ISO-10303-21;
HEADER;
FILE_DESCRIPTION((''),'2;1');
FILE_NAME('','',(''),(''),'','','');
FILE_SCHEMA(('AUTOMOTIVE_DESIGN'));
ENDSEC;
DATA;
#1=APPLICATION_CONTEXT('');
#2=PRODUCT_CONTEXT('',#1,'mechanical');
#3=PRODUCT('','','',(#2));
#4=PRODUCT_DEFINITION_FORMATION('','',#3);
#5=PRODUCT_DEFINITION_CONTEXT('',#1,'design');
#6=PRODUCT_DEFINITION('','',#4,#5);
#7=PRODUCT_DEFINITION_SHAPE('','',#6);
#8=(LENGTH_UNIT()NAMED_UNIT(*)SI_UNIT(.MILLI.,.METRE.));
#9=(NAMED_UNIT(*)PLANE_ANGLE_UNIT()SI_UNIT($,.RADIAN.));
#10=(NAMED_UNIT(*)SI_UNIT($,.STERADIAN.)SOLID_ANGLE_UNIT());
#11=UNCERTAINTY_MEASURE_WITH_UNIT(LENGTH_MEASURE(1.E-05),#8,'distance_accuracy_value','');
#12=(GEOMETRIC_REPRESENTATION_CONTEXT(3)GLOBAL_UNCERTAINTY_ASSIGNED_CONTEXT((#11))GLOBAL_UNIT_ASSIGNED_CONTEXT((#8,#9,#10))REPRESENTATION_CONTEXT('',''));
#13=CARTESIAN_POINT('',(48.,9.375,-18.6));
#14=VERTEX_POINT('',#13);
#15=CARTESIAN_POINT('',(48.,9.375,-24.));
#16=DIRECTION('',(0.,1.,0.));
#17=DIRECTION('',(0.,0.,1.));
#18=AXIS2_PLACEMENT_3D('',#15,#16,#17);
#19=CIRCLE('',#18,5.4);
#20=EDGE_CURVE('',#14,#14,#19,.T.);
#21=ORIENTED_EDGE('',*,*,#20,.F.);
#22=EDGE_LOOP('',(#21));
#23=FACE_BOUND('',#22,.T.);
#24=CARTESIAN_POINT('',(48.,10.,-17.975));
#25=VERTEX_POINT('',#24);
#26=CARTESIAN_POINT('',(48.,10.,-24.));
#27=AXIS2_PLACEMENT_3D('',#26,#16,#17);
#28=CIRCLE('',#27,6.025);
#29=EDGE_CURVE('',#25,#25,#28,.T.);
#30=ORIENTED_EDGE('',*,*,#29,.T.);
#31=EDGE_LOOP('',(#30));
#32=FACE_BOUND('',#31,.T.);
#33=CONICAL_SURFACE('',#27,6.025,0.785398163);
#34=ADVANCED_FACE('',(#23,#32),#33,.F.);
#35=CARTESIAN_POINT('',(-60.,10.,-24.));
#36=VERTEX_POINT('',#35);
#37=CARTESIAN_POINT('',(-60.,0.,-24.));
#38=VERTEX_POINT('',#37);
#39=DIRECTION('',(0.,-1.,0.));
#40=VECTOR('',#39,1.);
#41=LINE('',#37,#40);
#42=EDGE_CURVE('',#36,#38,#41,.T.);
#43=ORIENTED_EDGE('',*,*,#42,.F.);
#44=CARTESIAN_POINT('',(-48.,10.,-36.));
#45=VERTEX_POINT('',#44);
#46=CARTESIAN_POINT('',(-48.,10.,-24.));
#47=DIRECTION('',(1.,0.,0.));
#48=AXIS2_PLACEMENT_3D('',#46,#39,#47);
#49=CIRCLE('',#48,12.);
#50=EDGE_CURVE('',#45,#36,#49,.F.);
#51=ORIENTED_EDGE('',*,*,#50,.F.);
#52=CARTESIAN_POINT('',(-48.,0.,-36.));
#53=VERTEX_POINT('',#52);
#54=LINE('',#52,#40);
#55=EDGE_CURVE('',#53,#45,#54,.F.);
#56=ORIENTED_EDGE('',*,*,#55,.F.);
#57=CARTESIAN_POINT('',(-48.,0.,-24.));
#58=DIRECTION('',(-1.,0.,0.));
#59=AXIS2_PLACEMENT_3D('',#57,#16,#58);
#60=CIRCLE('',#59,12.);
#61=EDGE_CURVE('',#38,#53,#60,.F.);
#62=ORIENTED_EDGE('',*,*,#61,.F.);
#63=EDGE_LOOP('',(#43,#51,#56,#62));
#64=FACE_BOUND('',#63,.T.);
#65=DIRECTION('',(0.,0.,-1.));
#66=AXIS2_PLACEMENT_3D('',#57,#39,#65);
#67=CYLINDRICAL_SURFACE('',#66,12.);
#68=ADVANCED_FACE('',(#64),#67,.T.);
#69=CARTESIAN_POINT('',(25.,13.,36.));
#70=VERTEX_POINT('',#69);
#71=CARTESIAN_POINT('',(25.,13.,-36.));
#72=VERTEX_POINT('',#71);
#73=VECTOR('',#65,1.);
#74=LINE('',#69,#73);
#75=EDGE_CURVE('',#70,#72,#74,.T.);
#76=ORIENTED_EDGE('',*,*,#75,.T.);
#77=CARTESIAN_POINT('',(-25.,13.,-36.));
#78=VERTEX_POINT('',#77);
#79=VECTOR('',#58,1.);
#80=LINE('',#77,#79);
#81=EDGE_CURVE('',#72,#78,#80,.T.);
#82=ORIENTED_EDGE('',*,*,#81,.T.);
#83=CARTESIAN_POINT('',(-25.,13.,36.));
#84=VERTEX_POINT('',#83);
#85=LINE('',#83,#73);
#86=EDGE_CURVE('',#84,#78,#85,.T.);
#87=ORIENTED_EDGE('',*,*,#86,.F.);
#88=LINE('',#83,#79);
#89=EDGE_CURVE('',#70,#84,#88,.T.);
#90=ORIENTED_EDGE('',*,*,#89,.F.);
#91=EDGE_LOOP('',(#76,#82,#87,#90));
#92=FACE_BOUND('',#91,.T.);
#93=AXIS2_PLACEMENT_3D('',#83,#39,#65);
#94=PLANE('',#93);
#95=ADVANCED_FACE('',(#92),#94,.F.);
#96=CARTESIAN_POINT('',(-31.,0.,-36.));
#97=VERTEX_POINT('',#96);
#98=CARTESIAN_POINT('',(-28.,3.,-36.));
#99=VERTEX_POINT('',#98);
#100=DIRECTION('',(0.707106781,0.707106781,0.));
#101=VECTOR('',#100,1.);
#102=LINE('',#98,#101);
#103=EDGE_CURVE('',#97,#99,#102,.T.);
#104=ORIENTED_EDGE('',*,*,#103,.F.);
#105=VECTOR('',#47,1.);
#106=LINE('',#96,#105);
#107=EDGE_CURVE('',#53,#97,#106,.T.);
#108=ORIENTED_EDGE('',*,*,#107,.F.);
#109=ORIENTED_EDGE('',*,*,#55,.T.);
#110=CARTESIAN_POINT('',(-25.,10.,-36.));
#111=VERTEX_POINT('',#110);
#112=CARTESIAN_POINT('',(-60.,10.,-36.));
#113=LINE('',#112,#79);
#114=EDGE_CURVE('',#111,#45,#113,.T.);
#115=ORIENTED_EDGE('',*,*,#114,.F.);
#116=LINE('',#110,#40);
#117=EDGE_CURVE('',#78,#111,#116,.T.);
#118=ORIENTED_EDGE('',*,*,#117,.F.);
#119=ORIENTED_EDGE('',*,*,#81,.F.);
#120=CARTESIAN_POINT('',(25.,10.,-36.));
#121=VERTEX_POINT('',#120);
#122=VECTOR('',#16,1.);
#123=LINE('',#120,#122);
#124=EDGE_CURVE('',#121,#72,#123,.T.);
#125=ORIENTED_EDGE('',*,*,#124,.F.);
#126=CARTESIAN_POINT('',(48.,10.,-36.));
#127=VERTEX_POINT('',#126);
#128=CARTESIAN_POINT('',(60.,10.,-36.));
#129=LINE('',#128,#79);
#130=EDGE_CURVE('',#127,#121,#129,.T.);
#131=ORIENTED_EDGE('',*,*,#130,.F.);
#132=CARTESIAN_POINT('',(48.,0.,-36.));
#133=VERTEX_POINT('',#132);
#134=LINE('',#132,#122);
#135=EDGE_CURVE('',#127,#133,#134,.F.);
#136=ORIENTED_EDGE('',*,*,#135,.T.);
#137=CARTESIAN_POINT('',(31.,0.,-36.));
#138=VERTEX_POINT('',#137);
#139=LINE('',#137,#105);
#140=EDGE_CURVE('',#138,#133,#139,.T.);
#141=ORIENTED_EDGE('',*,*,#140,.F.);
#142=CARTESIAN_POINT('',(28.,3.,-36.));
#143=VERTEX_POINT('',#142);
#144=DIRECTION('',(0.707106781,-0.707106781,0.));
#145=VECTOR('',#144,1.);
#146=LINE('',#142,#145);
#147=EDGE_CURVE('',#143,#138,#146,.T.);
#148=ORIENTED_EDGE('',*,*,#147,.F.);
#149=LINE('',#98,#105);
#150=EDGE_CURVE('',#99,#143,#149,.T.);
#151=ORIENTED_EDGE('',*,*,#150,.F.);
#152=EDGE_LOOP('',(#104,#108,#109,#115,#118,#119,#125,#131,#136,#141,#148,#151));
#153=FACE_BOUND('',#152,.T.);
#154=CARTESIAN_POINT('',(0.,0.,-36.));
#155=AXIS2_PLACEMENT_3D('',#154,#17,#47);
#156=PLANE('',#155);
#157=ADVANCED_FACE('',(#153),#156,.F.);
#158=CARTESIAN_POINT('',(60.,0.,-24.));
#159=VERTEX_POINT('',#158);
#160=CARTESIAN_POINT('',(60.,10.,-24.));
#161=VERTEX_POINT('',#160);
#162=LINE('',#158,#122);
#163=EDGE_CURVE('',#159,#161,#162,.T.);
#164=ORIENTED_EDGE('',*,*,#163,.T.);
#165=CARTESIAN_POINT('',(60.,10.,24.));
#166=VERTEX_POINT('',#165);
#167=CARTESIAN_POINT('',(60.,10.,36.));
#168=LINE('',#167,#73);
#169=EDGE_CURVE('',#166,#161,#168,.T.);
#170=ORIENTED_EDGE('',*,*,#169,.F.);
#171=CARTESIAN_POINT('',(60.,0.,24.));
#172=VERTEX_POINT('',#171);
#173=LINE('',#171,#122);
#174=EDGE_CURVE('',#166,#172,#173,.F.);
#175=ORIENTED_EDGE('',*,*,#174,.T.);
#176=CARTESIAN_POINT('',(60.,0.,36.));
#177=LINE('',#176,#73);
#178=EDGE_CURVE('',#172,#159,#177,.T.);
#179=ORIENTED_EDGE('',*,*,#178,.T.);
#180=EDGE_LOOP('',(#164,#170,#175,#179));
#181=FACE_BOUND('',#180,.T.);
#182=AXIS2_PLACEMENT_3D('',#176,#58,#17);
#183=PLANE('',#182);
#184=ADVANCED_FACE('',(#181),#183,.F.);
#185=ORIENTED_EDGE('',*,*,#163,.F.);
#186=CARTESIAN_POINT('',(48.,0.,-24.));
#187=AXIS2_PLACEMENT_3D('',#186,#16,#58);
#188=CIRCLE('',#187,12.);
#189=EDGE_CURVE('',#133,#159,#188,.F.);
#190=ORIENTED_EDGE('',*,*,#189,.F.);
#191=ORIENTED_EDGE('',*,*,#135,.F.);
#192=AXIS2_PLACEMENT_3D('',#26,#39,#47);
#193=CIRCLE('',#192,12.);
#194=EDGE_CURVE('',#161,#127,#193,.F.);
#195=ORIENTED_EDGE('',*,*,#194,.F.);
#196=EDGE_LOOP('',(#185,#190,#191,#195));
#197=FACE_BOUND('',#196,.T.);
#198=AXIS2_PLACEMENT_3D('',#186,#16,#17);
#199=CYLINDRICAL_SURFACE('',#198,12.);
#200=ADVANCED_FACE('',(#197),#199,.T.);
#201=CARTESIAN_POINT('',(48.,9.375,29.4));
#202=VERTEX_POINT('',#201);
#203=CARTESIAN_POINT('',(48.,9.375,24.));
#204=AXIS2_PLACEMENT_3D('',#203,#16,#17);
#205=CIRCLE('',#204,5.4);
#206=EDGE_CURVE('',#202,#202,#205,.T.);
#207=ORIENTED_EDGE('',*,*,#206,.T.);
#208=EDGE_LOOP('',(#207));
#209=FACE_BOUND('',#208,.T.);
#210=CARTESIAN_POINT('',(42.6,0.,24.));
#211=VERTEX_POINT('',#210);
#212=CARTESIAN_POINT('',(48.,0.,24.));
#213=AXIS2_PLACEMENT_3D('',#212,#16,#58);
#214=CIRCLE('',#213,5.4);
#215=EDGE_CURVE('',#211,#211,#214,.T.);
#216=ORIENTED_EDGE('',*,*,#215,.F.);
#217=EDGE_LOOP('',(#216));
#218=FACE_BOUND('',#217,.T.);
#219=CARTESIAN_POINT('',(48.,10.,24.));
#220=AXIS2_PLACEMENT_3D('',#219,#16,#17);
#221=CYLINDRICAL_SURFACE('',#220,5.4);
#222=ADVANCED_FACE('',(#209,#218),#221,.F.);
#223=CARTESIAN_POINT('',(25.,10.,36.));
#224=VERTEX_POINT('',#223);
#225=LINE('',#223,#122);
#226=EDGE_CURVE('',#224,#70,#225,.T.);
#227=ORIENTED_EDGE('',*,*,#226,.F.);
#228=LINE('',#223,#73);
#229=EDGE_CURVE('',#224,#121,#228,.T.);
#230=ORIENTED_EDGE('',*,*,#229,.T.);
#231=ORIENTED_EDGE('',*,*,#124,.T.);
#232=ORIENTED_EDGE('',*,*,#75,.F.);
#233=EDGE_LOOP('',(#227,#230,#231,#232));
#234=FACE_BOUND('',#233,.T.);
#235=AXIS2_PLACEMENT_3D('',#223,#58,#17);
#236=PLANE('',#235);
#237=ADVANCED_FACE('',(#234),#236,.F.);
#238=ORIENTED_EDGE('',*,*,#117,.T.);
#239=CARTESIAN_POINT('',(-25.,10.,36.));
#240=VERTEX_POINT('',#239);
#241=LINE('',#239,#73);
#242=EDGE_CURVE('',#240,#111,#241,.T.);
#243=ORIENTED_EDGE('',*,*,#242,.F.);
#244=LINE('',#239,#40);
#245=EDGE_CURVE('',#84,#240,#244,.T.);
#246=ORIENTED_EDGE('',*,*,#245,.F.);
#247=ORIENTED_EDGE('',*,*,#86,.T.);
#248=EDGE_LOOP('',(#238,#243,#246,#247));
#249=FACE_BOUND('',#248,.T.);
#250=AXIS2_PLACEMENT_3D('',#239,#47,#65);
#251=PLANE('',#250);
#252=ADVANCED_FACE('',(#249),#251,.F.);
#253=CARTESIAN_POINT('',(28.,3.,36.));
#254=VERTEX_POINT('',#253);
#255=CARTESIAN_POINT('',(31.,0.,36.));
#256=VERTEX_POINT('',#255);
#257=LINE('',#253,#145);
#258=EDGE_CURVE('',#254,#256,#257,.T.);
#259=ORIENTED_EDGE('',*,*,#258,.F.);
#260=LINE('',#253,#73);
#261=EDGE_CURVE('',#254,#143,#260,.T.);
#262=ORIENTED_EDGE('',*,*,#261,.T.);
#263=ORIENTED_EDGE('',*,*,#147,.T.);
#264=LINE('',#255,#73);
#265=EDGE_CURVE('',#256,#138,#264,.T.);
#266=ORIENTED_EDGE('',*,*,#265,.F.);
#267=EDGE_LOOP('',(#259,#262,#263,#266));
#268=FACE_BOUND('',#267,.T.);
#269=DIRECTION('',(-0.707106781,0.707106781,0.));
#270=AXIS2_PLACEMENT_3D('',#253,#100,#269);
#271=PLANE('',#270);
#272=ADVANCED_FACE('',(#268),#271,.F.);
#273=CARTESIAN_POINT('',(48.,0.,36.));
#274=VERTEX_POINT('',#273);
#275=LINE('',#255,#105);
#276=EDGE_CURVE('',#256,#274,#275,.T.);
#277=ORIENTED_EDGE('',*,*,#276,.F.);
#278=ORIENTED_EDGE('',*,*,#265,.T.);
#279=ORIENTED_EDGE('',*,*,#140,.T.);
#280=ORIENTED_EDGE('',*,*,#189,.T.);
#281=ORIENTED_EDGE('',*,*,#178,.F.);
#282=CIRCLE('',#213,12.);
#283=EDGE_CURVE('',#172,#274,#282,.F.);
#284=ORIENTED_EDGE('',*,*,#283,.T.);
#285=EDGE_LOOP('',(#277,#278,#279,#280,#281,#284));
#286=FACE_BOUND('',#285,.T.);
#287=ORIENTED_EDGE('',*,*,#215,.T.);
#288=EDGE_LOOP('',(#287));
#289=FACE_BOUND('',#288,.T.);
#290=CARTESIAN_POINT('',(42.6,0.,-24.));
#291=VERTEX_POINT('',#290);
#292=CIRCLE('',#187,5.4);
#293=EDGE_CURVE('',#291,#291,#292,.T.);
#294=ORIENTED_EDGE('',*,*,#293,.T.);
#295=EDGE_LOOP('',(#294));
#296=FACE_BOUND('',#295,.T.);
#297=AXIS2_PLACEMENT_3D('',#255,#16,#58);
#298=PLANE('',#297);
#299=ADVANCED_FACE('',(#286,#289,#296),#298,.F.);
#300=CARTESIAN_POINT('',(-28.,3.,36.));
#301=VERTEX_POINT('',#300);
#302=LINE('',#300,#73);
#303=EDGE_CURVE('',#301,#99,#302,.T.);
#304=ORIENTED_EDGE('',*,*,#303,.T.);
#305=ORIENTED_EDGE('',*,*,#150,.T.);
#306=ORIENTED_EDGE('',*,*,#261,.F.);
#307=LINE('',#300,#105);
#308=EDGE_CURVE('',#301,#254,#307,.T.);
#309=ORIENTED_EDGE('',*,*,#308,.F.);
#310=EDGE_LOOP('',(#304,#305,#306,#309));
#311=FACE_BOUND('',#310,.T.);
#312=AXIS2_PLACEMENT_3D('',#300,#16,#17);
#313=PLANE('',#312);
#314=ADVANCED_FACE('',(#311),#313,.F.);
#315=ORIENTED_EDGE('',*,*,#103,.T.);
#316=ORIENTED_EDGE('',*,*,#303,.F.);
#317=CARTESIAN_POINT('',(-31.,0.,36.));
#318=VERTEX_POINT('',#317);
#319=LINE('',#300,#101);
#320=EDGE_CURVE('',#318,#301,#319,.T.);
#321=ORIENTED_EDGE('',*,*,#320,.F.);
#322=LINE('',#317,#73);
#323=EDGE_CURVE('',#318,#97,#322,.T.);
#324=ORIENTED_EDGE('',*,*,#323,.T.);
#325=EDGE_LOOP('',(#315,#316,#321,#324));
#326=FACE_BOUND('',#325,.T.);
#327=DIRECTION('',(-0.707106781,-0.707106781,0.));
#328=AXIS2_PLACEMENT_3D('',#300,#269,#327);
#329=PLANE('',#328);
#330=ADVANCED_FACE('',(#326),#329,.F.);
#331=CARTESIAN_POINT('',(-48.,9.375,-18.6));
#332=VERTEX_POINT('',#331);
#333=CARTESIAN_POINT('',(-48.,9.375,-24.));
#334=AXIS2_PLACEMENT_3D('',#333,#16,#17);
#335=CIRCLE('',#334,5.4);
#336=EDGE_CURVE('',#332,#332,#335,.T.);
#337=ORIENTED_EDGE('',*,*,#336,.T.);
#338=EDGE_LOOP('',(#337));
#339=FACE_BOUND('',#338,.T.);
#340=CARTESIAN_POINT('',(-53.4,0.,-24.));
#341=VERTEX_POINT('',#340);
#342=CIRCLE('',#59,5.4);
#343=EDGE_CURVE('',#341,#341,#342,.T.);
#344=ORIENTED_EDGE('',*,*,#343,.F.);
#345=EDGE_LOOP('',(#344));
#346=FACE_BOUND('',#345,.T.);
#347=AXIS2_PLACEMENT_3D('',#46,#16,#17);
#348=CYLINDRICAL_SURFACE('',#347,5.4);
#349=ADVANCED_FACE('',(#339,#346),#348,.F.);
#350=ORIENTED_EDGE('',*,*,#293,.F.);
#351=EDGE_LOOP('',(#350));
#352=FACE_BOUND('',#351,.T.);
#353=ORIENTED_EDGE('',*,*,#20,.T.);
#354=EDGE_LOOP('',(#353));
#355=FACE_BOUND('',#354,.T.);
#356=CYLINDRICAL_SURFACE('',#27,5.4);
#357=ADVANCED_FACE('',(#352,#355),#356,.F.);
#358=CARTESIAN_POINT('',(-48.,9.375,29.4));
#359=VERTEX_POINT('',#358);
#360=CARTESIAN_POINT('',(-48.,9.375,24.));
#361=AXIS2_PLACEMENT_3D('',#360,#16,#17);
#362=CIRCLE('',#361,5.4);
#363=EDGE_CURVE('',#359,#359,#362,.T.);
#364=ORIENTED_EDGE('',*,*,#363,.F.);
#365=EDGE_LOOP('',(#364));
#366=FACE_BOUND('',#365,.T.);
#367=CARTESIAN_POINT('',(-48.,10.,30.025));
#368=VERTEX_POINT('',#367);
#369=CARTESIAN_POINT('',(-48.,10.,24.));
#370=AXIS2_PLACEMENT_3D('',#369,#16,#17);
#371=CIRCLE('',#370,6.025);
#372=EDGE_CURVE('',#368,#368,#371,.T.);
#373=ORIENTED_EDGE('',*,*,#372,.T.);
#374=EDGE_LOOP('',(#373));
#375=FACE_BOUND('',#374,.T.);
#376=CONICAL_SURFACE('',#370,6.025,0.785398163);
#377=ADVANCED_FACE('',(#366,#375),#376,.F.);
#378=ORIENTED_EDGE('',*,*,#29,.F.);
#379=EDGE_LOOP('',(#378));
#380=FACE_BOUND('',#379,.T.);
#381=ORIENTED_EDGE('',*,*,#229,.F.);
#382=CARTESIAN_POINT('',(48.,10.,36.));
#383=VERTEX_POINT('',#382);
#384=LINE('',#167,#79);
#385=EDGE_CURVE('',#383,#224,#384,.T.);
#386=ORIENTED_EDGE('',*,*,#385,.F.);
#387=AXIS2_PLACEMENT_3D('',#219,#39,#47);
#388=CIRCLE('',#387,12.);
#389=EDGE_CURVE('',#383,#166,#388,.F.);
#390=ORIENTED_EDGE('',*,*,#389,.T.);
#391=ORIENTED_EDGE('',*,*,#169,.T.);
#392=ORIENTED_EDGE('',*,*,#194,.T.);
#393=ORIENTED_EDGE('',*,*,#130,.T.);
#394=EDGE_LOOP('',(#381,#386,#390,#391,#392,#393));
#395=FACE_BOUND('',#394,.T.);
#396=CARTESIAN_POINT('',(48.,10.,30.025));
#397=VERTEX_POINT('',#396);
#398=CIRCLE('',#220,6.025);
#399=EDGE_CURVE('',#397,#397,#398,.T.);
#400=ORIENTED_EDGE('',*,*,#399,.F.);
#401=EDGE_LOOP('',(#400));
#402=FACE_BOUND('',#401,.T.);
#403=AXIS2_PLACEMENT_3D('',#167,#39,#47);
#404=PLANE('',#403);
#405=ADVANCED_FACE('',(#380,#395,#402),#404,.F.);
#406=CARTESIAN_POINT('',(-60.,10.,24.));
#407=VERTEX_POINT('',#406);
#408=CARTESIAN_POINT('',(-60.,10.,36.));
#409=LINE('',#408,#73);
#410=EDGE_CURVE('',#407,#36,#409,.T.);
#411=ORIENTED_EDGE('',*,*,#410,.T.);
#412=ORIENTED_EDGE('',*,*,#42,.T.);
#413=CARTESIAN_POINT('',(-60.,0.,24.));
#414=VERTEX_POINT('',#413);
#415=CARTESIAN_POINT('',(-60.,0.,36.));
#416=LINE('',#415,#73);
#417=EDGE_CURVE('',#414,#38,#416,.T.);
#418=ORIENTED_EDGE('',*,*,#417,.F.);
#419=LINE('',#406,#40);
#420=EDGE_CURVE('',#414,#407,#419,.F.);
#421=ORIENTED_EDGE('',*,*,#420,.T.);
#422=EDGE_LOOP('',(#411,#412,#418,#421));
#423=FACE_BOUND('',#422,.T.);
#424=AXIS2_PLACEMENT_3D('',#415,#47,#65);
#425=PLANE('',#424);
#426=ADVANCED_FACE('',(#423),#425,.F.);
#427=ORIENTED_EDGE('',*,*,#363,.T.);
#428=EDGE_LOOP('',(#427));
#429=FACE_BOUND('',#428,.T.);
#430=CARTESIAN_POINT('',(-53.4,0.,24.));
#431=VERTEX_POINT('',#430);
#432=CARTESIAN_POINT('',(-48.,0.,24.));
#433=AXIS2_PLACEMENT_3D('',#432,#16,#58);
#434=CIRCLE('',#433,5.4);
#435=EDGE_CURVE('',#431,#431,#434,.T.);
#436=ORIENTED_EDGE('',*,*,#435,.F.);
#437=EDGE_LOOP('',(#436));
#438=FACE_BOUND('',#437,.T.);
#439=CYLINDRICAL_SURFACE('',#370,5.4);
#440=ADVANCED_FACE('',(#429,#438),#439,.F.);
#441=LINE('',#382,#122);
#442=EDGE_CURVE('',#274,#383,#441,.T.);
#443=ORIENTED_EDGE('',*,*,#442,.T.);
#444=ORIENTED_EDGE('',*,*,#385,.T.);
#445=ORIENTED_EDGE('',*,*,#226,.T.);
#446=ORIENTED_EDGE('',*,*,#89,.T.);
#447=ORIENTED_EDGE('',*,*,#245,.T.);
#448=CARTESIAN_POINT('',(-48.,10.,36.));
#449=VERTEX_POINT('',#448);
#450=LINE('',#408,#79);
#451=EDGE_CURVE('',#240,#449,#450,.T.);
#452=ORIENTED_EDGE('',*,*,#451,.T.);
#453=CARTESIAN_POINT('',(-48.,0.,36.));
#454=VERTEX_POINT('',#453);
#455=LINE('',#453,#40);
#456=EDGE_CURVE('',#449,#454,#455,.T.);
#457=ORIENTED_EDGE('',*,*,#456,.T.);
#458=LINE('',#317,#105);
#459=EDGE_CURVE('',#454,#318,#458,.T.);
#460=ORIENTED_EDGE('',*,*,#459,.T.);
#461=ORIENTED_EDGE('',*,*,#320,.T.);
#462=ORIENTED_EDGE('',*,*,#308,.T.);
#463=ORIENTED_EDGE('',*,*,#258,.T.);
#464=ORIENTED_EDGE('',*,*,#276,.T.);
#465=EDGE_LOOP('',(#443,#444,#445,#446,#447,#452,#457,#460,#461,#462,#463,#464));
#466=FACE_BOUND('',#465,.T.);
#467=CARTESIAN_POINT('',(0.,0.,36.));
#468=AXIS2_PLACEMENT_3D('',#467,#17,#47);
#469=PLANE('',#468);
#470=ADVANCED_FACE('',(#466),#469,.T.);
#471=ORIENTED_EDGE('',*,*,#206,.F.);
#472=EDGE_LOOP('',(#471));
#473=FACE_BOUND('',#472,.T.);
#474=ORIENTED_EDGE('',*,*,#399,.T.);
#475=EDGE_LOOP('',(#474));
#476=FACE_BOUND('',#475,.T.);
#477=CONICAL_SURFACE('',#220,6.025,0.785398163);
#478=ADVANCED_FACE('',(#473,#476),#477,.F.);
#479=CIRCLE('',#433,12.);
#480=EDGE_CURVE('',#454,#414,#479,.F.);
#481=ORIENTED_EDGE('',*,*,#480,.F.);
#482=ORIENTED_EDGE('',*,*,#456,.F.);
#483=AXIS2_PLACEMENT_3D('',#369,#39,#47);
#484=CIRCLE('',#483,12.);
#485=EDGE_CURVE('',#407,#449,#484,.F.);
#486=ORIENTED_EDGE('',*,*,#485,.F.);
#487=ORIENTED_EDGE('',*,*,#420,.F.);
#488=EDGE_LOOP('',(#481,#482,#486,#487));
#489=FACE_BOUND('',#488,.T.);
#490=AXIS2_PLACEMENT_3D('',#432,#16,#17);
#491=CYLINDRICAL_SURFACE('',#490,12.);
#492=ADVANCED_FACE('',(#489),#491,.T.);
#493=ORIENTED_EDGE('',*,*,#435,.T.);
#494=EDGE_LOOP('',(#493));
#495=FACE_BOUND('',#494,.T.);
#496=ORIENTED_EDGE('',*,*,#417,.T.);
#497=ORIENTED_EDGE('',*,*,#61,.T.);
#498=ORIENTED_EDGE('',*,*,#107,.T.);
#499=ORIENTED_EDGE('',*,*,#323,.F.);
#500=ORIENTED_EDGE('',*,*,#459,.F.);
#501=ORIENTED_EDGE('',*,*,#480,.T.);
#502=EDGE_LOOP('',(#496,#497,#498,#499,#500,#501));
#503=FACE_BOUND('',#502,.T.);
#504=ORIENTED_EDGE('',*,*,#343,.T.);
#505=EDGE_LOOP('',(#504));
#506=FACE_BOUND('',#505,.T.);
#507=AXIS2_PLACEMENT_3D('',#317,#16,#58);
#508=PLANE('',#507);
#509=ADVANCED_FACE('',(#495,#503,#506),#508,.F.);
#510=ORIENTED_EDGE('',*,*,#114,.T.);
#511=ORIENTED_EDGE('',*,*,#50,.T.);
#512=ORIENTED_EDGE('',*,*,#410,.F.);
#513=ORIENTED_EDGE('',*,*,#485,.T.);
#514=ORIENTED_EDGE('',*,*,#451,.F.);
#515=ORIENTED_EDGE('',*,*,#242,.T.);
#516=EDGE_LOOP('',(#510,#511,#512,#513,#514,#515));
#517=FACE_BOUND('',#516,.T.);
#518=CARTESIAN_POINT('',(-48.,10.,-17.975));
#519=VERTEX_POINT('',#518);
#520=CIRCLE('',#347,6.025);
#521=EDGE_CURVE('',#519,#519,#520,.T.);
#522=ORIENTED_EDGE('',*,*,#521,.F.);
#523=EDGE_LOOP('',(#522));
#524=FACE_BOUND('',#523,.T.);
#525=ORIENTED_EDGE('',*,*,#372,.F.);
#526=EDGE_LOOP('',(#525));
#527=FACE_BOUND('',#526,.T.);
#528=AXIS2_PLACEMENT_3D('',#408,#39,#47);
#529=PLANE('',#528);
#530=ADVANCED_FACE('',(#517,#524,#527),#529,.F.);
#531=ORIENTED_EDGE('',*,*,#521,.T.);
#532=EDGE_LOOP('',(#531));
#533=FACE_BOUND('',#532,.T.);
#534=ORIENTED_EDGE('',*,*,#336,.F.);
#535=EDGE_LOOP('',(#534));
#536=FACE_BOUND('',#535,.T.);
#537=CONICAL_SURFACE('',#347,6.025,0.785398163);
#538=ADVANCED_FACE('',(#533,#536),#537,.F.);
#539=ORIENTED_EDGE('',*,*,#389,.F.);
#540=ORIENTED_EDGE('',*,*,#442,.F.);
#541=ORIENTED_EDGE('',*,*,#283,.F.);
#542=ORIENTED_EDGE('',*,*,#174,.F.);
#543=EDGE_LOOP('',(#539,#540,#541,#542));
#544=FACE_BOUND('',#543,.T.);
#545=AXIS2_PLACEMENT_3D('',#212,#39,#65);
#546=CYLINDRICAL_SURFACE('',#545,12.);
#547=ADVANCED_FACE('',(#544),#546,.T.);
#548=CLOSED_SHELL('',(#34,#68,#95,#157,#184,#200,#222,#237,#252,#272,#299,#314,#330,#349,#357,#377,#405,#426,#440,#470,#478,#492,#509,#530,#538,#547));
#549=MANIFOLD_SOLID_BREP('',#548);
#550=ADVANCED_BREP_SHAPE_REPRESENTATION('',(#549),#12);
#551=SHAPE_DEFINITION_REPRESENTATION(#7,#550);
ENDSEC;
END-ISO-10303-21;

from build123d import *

# Parameters (mm, degrees)
BOSS_EXTRUDE1_DEPTH               = 36
FILLET1_R                         = 12
M12X1_25_TAPPED_HOLE1_D           = 10.8
M12X1_25_TAPPED_HOLE1_DEPTH       = 24.505352657
M12X1_25_TAPPED_HOLE1_CSINK_D     = 12.05
M12X1_25_TAPPED_HOLE1_CSINK_ANGLE = 90
M12X1_25_TAPPED_HOLE1_TIP         = 3.244647343


with BuildPart() as part:
    # Sketch1 → Boss-Extrude1 (new, symmetric)
    with BuildSketch(Plane.XY):
        Polygon((-28, 3), (-31, 0), (-60, 0), (-60, 10), (-25, 10), (-25, 13), (25, 13), (25, 10), (60, 10), (60, 0), (31, 0), (28, 3), align=None)
    extrude(amount=BOSS_EXTRUDE1_DEPTH, both=True)

    # Fillet1
    fillet1_edges = [part.edges().sort_by_distance(p)[0] for p in [
        (-60, 5, -36),
        (60, 5, -36),
        (60, 5, 36),
        (-60, 5, 36),
    ]]
    fillet(fillet1_edges, radius=FILLET1_R)

    # M12x1.25 Tapped Hole1
    with Locations(Plane(origin=(0, 10, 0), x_dir=(1, 0, 0), z_dir=(0, 1, 0))):
        with Locations((-48, 24), (-48, -24), (48, -24), (48, 24)):
            CounterSinkHole(M12X1_25_TAPPED_HOLE1_D / 2, M12X1_25_TAPPED_HOLE1_CSINK_D / 2, depth=M12X1_25_TAPPED_HOLE1_DEPTH, counter_sink_angle=M12X1_25_TAPPED_HOLE1_CSINK_ANGLE)
            with Locations((0, 0, -(M12X1_25_TAPPED_HOLE1_DEPTH + M12X1_25_TAPPED_HOLE1_TIP / 2))):  # 118° drill point
                Cone(0, M12X1_25_TAPPED_HOLE1_D / 2, M12X1_25_TAPPED_HOLE1_TIP, mode=Mode.SUBTRACT)


solid = part.part
